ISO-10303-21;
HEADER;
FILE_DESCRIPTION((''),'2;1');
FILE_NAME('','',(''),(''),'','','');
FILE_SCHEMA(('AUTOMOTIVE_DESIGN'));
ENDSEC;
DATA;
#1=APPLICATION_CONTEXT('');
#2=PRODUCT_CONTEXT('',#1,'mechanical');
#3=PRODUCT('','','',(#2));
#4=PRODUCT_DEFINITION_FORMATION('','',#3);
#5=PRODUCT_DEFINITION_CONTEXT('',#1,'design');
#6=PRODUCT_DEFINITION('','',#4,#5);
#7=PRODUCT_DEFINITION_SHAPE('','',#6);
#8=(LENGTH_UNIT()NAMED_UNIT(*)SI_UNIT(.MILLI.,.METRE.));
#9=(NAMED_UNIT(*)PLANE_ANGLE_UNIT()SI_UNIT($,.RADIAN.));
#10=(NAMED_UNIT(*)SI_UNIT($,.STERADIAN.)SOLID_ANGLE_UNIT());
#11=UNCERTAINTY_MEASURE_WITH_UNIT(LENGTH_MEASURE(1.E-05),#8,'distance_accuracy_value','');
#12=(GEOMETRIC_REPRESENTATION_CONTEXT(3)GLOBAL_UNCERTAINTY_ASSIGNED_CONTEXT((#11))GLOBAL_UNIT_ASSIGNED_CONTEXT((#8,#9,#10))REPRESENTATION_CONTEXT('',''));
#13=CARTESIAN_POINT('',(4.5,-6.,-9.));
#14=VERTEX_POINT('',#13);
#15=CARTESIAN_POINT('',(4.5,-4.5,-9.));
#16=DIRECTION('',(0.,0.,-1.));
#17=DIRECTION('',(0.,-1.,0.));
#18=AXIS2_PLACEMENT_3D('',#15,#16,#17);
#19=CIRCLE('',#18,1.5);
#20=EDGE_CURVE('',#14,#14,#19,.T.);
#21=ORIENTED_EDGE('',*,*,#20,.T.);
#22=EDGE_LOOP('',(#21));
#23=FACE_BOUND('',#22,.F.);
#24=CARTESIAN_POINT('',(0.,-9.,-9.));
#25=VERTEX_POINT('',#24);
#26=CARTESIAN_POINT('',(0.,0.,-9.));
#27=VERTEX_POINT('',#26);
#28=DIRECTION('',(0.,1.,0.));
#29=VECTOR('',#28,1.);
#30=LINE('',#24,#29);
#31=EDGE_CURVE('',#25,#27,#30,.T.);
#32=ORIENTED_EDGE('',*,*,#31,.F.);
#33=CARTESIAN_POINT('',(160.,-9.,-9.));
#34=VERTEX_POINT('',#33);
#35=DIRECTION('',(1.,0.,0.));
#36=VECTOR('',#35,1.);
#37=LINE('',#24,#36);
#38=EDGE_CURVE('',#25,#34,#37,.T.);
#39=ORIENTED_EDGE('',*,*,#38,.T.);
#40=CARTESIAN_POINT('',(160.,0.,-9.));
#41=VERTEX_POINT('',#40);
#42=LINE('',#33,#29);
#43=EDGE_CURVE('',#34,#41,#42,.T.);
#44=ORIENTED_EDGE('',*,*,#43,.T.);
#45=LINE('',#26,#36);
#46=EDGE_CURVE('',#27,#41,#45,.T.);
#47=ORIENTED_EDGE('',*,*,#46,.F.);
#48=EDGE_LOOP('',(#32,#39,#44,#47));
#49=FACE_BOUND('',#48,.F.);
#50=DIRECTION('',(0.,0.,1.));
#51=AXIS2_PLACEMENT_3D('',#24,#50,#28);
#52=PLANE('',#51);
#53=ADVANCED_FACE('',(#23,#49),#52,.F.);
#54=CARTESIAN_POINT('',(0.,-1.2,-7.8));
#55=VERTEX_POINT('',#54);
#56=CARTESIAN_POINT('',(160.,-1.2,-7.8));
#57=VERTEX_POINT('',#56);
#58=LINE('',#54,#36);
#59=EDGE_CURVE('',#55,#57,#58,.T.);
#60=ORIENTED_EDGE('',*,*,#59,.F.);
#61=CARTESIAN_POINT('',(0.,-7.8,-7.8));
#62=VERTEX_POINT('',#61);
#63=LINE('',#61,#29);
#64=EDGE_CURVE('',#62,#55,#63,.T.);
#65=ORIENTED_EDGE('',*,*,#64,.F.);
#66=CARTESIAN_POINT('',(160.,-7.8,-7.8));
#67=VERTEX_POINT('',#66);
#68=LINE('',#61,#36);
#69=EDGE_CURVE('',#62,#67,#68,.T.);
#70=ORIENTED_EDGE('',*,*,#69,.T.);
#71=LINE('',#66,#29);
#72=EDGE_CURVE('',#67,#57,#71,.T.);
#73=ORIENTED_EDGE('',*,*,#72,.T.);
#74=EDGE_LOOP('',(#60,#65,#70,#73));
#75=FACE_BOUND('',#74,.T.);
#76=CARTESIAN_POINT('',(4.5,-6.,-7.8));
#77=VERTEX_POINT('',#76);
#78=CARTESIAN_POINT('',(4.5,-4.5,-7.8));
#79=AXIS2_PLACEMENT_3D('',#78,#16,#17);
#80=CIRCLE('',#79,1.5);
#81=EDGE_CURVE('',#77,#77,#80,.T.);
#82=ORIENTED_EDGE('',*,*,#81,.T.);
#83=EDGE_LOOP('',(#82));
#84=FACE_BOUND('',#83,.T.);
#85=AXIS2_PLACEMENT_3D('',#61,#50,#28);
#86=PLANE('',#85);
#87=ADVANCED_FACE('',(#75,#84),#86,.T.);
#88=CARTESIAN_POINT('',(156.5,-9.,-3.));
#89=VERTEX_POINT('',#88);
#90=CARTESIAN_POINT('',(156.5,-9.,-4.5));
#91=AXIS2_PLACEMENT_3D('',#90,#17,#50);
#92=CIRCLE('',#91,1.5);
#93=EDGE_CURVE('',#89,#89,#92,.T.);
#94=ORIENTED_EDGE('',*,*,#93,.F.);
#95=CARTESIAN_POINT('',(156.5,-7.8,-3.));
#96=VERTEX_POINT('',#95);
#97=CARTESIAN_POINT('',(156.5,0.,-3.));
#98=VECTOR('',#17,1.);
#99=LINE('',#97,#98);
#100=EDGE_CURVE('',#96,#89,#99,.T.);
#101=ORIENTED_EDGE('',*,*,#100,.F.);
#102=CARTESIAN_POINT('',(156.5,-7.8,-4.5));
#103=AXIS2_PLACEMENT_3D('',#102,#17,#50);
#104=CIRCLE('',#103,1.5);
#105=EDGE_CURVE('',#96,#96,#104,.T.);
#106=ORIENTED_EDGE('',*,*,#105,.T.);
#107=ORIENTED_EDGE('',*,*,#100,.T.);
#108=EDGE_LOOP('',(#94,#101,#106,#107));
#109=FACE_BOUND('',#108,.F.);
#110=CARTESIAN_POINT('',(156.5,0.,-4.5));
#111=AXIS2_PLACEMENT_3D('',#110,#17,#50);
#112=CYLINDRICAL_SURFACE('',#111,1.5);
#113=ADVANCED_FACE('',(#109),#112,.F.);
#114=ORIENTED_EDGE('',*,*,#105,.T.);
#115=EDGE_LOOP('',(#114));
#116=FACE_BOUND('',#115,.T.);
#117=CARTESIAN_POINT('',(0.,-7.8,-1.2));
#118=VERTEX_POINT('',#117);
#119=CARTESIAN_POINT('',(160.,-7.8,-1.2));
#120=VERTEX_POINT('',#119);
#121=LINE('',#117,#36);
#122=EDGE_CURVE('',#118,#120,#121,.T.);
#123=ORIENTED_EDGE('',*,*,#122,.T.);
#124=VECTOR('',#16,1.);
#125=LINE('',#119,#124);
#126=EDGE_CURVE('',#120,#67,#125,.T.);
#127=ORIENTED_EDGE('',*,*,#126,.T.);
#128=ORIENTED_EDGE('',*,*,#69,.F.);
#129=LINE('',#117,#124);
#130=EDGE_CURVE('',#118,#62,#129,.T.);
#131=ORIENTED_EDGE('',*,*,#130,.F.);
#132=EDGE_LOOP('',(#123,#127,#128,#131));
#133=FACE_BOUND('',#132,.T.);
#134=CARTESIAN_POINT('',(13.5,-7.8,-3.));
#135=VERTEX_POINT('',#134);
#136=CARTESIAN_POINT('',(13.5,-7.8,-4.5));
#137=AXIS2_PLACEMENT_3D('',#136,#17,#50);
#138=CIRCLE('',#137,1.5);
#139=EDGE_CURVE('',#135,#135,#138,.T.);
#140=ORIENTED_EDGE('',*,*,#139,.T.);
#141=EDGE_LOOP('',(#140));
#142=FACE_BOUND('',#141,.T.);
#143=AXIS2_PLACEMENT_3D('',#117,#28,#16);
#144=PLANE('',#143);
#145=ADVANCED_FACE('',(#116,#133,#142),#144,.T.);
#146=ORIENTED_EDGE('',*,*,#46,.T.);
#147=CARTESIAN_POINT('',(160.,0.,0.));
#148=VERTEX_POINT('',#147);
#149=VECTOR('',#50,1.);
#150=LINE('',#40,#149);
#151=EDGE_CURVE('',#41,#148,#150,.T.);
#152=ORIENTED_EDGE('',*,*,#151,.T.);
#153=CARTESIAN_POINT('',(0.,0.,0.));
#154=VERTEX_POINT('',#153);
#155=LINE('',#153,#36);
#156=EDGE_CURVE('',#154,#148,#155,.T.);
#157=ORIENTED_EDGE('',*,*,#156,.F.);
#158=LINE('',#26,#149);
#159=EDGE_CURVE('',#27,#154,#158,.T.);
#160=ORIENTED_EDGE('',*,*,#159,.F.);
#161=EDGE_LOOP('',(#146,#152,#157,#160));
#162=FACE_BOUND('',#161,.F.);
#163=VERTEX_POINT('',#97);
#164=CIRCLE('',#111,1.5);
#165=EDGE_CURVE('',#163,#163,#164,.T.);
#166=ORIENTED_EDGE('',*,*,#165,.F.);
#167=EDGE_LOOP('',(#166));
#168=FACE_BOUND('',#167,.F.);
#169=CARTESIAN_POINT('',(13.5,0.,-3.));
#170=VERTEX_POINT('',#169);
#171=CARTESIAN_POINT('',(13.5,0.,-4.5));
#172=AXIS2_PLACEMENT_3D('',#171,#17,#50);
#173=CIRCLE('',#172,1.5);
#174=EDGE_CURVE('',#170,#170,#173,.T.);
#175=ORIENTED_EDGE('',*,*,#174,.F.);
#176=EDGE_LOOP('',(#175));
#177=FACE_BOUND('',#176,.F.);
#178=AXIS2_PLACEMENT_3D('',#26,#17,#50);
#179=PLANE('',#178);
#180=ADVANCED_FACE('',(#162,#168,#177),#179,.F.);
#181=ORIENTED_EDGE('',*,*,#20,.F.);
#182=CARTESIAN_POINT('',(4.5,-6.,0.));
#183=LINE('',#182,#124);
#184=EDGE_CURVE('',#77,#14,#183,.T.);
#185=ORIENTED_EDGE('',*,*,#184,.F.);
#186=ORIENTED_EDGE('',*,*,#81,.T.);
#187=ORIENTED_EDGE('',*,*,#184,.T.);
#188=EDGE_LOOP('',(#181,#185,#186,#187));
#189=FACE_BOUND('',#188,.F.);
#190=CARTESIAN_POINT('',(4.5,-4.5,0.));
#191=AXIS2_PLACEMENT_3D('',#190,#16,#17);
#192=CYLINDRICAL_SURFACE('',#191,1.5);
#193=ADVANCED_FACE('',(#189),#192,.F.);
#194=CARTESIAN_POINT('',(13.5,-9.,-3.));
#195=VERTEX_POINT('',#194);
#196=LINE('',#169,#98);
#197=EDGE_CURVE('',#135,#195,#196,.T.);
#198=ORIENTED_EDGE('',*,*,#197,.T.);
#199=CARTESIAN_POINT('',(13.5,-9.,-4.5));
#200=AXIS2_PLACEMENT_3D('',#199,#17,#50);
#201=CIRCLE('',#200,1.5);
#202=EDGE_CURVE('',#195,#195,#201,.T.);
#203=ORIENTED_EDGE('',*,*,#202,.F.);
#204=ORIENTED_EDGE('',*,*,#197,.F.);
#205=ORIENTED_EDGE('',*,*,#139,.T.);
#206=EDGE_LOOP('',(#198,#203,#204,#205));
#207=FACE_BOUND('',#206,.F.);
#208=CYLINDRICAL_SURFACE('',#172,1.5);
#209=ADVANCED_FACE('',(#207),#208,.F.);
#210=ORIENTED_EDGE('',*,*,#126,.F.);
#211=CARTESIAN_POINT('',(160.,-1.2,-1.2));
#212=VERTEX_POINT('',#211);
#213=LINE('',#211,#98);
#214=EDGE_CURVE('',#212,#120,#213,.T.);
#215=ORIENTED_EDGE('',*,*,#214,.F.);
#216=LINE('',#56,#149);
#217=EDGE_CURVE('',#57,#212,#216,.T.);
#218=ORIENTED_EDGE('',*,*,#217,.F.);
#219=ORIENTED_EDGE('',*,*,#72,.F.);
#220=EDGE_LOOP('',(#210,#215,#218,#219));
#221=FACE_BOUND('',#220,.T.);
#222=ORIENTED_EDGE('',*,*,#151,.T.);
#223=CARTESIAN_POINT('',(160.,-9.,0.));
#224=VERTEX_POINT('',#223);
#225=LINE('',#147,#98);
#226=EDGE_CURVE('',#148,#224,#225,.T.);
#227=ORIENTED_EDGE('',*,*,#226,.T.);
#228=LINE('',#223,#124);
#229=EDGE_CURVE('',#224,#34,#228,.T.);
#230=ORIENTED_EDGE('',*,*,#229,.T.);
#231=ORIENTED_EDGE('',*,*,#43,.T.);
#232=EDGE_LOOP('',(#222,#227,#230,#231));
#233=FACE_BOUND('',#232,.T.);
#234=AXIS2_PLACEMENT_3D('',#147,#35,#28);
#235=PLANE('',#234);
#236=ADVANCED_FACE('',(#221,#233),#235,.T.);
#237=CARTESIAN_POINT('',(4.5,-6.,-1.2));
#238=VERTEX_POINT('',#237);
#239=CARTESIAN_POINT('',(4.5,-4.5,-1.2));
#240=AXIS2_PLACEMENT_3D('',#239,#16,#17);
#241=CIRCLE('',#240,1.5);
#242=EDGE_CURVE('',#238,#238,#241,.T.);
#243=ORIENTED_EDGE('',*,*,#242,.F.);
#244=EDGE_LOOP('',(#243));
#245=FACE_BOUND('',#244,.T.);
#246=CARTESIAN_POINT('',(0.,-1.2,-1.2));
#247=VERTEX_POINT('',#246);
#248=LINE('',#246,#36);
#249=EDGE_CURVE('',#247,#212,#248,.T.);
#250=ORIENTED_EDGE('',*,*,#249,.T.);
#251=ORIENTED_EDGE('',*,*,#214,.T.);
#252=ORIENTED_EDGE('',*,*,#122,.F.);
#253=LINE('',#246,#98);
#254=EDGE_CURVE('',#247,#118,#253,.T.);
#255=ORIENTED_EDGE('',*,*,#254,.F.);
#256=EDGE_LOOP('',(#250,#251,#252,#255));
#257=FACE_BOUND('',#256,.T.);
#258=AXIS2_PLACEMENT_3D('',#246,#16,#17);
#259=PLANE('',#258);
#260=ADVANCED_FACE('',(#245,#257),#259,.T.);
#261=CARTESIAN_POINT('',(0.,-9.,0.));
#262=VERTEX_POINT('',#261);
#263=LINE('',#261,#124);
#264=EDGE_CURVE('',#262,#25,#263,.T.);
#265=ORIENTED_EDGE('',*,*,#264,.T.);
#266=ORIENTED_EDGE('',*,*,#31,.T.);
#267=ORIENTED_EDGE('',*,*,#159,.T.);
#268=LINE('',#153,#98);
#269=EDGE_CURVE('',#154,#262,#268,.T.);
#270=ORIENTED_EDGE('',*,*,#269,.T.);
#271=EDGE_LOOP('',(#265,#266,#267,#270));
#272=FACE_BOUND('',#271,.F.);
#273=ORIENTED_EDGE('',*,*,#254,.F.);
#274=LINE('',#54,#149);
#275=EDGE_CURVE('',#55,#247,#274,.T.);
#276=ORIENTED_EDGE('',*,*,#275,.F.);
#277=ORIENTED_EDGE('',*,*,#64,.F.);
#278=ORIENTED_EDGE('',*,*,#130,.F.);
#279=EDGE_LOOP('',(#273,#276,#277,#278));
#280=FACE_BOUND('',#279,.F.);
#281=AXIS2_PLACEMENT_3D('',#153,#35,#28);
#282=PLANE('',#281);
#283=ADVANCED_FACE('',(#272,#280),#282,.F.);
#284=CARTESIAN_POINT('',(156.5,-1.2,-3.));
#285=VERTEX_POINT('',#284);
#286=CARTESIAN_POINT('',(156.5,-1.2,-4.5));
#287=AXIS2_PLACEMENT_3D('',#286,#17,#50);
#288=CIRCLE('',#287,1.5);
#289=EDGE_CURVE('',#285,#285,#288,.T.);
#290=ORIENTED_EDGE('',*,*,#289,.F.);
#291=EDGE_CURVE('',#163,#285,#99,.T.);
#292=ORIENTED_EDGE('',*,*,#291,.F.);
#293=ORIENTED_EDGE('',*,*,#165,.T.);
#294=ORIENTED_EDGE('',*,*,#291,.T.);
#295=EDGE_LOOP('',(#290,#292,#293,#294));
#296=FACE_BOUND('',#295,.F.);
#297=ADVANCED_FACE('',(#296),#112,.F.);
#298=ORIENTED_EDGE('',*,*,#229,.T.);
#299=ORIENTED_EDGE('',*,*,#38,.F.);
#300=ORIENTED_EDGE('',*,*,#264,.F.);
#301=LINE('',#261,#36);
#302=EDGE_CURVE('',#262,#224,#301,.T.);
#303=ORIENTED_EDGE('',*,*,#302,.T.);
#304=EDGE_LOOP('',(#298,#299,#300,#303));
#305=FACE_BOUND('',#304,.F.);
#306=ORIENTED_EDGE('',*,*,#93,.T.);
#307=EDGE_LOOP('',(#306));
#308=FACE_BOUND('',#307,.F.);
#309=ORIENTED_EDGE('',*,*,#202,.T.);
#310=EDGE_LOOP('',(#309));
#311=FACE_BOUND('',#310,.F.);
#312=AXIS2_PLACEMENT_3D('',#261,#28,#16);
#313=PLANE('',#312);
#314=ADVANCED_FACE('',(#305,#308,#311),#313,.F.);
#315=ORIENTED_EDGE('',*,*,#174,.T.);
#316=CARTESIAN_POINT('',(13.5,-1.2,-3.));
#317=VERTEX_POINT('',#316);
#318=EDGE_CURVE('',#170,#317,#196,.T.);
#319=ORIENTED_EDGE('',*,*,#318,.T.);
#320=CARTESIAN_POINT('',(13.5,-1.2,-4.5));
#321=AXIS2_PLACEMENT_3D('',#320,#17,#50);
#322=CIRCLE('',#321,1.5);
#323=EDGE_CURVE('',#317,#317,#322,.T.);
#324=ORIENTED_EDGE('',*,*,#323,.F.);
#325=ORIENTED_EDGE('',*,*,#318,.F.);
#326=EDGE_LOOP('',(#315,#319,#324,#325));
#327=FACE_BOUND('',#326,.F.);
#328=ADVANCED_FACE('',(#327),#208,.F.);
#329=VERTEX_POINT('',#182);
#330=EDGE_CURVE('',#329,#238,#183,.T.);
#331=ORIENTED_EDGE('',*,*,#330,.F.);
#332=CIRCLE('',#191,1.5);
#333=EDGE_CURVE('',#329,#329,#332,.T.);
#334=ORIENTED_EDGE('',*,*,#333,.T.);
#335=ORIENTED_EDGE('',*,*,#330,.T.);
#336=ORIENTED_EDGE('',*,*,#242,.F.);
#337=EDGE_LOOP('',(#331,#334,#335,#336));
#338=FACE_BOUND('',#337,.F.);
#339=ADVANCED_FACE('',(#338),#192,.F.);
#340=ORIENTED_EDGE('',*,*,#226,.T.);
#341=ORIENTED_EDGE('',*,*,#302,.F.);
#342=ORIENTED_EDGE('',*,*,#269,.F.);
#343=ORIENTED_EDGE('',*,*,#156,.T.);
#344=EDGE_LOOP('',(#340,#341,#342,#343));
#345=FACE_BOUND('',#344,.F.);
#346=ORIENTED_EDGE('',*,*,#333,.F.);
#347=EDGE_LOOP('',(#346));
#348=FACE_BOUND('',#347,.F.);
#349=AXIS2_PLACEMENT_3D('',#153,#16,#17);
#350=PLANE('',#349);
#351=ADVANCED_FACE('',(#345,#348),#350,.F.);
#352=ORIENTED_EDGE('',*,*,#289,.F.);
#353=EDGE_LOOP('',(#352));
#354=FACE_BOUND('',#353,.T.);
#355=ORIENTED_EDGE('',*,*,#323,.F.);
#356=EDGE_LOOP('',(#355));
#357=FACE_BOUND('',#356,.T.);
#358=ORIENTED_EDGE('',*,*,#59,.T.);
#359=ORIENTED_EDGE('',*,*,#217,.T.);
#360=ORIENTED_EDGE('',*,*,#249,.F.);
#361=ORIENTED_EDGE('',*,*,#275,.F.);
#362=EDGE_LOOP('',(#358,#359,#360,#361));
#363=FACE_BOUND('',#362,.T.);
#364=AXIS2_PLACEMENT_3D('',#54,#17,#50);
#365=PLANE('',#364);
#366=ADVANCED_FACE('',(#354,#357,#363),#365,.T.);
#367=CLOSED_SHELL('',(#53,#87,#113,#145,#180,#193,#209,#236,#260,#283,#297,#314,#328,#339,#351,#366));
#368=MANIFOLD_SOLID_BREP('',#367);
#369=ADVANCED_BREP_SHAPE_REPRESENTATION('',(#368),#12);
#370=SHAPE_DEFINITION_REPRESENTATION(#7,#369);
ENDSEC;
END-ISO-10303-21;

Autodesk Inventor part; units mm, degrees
ref_plane "YZ Plane" through (0, 0, 0) normal (1, 0, 0) x (0, 1, 0)
ref_plane "XZ Plane" through (0, 0, 0) normal (0, 1, 0) x (-1, 0, 0)
ref_plane "XY Plane" through (0, 0, 0) normal (0, 0, 1) x (1, 0, 0)
sketch "スケッチ1" plane through (0, 0, 0) normal (1, 0, 0) x (0, 1, 0)
  line L0 (0, 0) -> (-9, 0)
  line L1 (-9, 0) -> (-9, -9)
  line L2 (-9, -9) -> (0, -9)
  line L3 (0, -9) -> (0, 0)
  line L4 (-1.2, -1.2) -> (-7.8, -1.2)
  line L5 (-7.8, -1.2) -> (-7.8, -7.8)
  line L6 (-7.8, -7.8) -> (-1.2, -7.8)
  line L7 (-1.2, -7.8) -> (-1.2, -1.2)
  dimension "d0" = 9
  dimension "d1" = 9
  dimension "d2" = 6.6
  dimension "d3" = 6.6
  dimension "d4" = 1.2
  dimension "d5" = 1.2
extrude "押し出し1" add sketch "スケッチ1" along normal blind 160
sketch "スケッチ2" plane through (0, 0, 0) normal (0, 1, 0) x (1, 0, 0)
  line L0 (0, 9) -> (160, 9) projected
  line L1 (0, 9) -> (0, 0) projected
  line L2 (160, 9) -> (160, 0) projected
  point P0 (13.5, 4.5)
  point P1 (156.5, 4.5)
  dimension "d8" = 4.5
  dimension "d9" = 4.5
  dimension "d10" = 13.5
  dimension "d11" = 3.5
hole "穴1" at (13.5, 0, -4.5) at (156.5, 0, -4.5) direction (0, -1, 0) diameter 3 end through all
sketch "スケッチ3" plane through (0, -9, 0) normal (0, 0, 1) x (1, 0, 0)
  line L0 (0, 9) -> (160, 9) projected
  line L1 (0, 9) -> (0, 0) projected
  point P0 (4.5, 4.5)
  dimension "d19" = 4.5
  dimension "d20" = 4.5
hole "穴2" at (4.5, -4.5, 0) direction (0, 0, -1) diameter 3 end through all
equation "\"d3\" = d2"
equation "\"d5\" = d4"
equation "\"d20\" = d19"
properties part number "ハンド9x9_6" material "アルミニウム 6061"
